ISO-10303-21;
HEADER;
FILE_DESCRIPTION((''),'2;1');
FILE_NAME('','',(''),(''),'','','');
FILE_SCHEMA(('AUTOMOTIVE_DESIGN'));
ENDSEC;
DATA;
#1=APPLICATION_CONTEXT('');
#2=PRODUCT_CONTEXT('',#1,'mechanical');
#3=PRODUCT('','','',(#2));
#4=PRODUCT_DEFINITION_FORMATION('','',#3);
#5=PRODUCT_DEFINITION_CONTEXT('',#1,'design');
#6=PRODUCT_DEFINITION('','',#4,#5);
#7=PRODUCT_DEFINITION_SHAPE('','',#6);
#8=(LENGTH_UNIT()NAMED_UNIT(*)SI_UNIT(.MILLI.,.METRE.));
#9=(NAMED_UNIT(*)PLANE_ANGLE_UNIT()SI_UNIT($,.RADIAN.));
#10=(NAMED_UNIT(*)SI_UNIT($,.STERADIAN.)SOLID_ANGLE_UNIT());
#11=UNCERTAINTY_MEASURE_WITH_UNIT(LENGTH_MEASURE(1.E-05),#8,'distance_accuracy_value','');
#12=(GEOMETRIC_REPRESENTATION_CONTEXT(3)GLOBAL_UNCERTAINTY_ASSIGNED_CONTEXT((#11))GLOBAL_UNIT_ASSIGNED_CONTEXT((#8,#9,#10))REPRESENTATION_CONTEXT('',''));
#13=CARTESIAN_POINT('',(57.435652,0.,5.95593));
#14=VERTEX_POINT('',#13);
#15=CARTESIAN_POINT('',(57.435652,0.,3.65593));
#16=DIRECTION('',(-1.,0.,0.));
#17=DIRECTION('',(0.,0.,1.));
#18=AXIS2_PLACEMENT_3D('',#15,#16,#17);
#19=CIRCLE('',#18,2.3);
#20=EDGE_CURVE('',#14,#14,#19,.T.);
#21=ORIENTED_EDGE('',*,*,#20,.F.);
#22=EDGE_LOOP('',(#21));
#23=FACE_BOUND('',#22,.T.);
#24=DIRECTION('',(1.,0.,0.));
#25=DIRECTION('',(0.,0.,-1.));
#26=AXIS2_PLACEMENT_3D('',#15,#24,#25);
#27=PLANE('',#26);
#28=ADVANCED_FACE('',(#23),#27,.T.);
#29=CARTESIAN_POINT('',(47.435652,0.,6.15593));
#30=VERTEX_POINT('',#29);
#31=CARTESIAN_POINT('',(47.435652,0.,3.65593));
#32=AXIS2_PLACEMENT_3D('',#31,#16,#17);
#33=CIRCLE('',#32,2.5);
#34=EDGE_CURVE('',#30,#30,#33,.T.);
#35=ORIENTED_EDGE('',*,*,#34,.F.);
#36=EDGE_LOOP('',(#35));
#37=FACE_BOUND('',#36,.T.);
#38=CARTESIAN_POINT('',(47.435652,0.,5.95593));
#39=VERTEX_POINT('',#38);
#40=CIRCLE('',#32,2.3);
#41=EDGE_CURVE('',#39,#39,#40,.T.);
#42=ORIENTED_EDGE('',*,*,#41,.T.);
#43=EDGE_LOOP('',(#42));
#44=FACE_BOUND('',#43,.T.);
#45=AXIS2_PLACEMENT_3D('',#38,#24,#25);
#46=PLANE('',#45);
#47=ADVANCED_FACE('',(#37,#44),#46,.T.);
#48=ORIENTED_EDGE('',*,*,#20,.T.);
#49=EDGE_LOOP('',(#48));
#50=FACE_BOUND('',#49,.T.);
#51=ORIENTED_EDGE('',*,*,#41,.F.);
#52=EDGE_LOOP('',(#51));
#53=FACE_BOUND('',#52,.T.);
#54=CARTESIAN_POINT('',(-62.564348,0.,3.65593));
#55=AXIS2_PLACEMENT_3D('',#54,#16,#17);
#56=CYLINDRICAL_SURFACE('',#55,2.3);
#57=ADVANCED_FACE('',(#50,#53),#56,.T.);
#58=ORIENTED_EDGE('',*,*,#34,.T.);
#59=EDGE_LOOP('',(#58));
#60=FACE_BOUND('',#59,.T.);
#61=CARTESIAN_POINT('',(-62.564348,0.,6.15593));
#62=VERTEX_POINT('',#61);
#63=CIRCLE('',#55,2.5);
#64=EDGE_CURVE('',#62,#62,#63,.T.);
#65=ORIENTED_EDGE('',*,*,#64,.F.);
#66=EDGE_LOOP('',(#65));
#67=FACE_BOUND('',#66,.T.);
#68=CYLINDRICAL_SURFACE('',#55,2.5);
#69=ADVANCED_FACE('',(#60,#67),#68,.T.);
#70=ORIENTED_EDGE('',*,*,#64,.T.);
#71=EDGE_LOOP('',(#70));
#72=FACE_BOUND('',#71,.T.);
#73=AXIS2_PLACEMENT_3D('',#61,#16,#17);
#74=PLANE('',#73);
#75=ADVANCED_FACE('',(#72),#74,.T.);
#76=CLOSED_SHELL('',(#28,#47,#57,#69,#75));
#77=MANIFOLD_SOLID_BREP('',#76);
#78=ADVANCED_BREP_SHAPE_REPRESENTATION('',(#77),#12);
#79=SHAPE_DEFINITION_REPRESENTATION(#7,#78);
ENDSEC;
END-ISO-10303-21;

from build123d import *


with BuildPart() as part:
    # Sketch1 → Revolve1 (revolve)
    with BuildSketch(Plane(origin=(0, 0, 0), x_dir=(1, 0, 0), z_dir=(0, 1, 0))):
        Polygon((57.435652368, -3.655929787), (57.435652368, -5.955929787), (47.435652368, -5.955929787), (47.435652368, -6.155929787), (-62.564347632, -6.155929787), (-62.564347632, -3.655929787), align=None)
    revolve(axis=Axis((-62.564347632, 0, 3.655929787), (1, 0, 0)))


solid = part.part
